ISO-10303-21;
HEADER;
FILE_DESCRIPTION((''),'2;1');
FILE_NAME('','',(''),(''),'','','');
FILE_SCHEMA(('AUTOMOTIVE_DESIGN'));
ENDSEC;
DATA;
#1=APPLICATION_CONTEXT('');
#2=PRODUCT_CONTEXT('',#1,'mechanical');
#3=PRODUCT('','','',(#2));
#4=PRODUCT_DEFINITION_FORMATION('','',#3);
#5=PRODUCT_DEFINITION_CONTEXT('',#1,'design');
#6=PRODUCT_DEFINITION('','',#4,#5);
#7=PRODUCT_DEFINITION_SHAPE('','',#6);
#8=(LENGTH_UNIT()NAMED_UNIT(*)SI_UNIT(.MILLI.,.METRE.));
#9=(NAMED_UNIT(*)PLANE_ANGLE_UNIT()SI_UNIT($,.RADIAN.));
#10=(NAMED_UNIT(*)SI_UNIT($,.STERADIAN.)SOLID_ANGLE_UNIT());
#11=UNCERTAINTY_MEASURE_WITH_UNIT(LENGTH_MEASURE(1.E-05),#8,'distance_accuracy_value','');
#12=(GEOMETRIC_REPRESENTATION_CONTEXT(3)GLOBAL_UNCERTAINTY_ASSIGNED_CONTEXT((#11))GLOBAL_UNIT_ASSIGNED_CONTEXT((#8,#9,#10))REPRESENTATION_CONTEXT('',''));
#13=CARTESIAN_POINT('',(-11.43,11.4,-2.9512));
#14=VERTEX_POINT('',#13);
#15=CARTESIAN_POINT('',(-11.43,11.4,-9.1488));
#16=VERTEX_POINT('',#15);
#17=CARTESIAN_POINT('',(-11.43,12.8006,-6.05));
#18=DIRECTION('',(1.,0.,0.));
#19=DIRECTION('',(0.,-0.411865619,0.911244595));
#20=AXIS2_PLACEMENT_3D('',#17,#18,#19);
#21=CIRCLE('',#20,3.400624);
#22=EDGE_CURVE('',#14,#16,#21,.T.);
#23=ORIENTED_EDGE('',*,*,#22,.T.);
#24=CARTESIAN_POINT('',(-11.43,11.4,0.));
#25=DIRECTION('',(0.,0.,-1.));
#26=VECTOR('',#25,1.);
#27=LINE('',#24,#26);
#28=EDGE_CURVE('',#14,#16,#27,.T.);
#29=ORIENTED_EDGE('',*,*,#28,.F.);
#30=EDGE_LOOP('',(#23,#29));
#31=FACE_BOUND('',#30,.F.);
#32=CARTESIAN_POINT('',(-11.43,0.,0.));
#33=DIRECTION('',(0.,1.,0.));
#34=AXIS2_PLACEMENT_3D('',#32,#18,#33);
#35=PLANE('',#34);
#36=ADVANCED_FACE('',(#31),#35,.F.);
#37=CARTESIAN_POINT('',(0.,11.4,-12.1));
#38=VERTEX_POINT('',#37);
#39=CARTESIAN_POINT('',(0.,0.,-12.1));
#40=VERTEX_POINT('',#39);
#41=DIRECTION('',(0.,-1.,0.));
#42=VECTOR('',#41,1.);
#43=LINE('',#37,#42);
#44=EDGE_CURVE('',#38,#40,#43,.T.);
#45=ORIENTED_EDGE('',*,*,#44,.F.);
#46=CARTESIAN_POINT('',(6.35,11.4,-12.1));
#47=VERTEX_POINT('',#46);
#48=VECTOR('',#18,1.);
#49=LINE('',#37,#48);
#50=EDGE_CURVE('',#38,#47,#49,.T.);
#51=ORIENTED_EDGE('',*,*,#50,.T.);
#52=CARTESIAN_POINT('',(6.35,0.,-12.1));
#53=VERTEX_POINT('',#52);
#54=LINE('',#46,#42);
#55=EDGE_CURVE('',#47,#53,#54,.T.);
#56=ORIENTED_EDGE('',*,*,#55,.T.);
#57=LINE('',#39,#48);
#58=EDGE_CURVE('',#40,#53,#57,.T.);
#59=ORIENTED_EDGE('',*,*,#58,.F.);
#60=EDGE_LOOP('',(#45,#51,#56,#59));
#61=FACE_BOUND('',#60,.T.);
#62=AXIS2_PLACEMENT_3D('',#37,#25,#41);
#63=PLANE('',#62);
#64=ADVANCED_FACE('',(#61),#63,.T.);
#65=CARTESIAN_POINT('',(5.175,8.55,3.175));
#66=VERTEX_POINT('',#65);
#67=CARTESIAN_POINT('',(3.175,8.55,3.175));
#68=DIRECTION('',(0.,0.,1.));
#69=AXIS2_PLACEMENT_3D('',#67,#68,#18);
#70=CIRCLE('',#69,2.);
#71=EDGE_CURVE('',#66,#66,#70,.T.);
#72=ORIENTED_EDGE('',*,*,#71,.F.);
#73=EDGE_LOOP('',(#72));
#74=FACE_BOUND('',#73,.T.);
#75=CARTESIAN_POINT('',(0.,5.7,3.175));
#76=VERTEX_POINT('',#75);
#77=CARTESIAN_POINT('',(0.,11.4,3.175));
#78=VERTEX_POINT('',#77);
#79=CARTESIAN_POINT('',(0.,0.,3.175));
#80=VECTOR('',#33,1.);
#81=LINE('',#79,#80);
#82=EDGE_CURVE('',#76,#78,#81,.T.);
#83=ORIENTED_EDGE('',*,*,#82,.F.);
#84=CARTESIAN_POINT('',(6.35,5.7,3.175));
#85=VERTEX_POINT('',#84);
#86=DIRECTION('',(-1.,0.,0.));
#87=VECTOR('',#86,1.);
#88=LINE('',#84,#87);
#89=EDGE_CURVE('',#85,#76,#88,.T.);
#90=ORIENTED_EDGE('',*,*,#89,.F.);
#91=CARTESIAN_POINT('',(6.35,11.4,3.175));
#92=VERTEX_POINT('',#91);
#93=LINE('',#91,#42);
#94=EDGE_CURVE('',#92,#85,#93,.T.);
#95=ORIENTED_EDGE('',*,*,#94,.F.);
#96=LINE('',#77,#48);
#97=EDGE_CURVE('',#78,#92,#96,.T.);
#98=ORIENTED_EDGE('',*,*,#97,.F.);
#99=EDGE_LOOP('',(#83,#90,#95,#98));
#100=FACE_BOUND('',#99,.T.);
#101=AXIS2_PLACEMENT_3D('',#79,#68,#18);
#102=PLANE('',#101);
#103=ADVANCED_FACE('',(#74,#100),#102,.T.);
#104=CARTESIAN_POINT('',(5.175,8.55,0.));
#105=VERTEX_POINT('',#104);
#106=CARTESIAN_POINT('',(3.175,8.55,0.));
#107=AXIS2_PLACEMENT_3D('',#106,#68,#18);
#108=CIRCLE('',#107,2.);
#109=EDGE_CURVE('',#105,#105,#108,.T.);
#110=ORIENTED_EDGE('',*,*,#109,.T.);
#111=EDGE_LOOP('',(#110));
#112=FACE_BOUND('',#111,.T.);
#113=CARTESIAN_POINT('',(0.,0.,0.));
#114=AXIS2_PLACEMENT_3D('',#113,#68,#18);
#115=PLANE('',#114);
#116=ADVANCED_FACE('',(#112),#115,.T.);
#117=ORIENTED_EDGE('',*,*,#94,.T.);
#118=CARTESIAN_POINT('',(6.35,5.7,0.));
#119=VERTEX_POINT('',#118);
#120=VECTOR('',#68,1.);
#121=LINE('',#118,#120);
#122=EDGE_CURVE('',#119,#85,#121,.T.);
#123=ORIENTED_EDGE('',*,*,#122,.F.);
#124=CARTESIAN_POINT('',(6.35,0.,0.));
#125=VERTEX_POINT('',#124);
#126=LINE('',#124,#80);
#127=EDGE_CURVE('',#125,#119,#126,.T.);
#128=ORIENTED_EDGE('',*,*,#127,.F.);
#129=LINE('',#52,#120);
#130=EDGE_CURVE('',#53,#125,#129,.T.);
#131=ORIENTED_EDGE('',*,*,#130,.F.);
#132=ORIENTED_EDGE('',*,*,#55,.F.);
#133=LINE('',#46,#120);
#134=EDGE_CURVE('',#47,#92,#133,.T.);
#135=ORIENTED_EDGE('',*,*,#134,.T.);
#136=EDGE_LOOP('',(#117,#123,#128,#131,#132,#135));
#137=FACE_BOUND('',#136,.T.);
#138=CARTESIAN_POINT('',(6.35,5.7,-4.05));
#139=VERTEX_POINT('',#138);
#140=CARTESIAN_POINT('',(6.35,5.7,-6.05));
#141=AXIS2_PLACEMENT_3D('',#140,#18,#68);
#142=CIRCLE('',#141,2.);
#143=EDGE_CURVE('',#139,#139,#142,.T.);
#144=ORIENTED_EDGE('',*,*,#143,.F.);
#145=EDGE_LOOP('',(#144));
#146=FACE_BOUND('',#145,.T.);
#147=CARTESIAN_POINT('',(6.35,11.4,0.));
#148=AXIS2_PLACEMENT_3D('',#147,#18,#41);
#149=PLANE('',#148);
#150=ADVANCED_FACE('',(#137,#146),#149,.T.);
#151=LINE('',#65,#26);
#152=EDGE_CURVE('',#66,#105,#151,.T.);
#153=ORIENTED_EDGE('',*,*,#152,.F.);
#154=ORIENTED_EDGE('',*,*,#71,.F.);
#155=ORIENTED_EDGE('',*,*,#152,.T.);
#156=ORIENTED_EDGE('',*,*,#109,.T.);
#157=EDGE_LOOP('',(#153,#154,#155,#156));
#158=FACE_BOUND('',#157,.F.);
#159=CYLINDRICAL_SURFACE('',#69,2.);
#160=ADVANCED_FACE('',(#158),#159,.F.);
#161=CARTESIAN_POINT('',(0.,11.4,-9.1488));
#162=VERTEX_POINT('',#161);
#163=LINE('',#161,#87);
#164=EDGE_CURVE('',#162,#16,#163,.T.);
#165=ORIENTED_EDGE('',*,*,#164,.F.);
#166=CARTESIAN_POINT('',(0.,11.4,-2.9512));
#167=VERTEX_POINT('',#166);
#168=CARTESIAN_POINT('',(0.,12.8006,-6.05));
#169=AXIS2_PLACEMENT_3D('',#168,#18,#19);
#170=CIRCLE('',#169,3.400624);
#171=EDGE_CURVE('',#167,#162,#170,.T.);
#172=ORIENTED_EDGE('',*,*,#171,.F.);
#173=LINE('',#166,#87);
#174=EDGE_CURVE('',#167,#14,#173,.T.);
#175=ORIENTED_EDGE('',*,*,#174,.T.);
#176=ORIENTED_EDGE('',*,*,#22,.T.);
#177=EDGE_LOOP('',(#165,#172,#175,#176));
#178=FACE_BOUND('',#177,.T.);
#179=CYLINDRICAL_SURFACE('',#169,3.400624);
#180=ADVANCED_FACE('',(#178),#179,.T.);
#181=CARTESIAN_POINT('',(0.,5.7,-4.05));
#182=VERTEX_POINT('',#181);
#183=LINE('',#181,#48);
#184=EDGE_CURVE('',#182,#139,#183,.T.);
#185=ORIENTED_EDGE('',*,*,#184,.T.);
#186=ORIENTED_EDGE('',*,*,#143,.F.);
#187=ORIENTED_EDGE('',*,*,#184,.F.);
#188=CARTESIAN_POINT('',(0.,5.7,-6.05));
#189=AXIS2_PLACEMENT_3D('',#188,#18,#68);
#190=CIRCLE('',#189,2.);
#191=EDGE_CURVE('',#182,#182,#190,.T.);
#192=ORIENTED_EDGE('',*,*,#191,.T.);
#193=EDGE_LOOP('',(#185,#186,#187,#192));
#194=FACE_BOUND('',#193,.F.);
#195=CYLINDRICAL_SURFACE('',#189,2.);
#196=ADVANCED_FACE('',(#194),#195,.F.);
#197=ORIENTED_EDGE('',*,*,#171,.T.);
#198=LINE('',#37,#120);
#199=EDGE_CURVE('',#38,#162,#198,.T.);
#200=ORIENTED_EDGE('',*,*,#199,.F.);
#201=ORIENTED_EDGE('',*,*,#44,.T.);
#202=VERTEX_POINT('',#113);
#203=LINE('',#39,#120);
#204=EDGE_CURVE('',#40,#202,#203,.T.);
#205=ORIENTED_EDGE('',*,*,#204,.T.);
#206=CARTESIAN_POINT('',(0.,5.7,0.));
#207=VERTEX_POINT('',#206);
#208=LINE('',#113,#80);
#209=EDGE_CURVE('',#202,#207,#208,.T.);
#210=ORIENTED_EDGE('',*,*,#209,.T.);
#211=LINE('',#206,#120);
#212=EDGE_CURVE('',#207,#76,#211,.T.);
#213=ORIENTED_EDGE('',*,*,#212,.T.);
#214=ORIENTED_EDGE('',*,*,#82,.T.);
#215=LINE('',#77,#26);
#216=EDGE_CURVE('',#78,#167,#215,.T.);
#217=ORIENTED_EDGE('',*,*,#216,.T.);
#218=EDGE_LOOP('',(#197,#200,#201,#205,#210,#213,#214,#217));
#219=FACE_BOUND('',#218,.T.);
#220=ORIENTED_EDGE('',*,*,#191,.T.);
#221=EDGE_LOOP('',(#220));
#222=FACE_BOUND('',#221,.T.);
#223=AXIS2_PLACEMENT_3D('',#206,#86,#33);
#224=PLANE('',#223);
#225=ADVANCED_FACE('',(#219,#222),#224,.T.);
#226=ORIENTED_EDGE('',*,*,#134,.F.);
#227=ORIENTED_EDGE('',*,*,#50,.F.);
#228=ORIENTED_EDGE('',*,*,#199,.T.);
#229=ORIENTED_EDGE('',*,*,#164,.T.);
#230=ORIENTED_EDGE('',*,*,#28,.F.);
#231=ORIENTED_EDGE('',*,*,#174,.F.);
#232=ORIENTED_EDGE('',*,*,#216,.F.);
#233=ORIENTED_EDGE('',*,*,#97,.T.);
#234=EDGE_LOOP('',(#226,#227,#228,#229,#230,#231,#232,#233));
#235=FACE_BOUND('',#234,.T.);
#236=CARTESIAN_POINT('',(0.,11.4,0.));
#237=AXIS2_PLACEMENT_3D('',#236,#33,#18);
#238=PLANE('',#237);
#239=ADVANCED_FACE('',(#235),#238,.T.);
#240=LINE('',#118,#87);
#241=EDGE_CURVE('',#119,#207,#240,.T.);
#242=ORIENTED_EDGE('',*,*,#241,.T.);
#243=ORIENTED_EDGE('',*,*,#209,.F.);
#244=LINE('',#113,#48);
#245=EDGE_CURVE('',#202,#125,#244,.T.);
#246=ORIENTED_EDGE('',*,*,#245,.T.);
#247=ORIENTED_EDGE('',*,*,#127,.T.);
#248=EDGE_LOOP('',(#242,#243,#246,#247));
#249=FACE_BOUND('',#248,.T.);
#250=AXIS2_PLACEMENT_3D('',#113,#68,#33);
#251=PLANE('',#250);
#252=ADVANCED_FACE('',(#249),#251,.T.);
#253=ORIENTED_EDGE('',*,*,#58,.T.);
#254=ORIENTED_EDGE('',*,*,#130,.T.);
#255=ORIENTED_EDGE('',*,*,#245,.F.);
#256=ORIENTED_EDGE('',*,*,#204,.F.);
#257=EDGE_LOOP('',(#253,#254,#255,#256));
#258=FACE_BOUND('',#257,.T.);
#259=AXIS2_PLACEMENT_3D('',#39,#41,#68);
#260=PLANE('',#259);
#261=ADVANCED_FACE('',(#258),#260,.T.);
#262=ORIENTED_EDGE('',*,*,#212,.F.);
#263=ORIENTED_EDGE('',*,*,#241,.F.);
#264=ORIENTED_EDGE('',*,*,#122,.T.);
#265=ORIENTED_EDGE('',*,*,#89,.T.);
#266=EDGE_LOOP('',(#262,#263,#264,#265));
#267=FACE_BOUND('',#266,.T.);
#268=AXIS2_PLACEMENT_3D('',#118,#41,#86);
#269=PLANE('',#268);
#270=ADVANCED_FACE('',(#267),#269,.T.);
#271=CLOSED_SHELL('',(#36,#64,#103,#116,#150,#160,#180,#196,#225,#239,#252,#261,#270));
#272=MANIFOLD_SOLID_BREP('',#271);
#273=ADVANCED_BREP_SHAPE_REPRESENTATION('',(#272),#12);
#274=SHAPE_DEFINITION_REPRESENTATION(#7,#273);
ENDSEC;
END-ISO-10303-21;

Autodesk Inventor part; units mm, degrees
ref_plane "YZ Plane" through (0, 0, 0) normal (1, 0, 0) x (0, 1, 0)
ref_plane "XZ Plane" through (0, 0, 0) normal (0, 1, 0) x (-1, 0, 0)
ref_plane "XY Plane" through (0, 0, 0) normal (0, 0, 1) x (1, 0, 0)
sketch "Sketch1" plane through (0, 0, 0) normal (1, 0, 0) x (0, 1, 0)
  line L0 (0, 0) -> (11.4, 0)
  line L1 (11.4, 0) -> (11.4, -12.1)
  line L2 (11.4, -12.1) -> (0, -12.1)
  line L3 (0, -12.1) -> (0, 0)
  arc A0 (11.4, -2.9512) -> (11.4, -9.1488) centre (12.8006, -6.05) ccw
  point P0 (3.5, -5)
  dimension "d0" = 11.4
  dimension "d1" = 12.1
  dimension "d2" = 6.1976
  dimension "d3" = 2.9512
  dimension "d29" = 2
extrude "Extrusion1" add sketch "Sketch1" along normal blind 6.35
extrude "Extrusion2" add sketch "Sketch1" against normal blind 11.43 contours L1 A0
sketch "Sketch3" plane through (0, 0, 0) normal (-1, 0, 0) x (0, 0, 1)
  line L0 (0, 11.4) -> (0, 0) projected
  line L1 (0, 0) -> (-12.1, 0) projected
  point P0 (-6.05, 5.7)
  dimension "d19" = 12.1
  dimension "d20" = 6.05
  dimension "d30" = 11.4
  dimension "d31" = 5.7
sketch "Sketch6" plane through (0, 0, 0) normal (0, 0, 1) x (1, 0, 0)
  line L0 (6.35, 5.7) -> (0, 5.7)
  line L1 (0, 0) -> (0, 11.4) projected
  line L2 (6.35, 11.4) -> (6.35, 0) projected
  line L3 (0, 0) -> (6.35, 0) projected
  line L4 (0, 11.4) -> (6.35, 11.4) projected
  dimension "d33" = 11.4
  dimension "d46" = 5.7
hole "Hole2" at (0, 5.7, -6.05) direction (1, 0, 0) diameter 4 end through all
extrude "Extrusion8" add sketch "Sketch6" along normal blind 3.175 contours L0 L1 L4 L2
sketch "Sketch7" plane through (0, 0, 3.175) normal (0, 0, 1) x (1, 0, 0)
  line L0 (6.35, 11.4) -> (0, 11.4) projected
  line L1 (6.35, 5.7) -> (6.35, 11.4) projected
  point P0 (0, 0)
  point P1 (3.175, 8.55)
  dimension "d50" = 6.35
  dimension "d51" = 5.7
  dimension "d52" = 2.85
  dimension "d53" = 3.175
sketch "Sketch8" plane through (0, 0, 3.175) normal (0, 0, 1) x (1, 0, 0)
  circle A0 centre (3.175, 8.55) radius 2
  line L0 (6.35, 11.4) -> (0, 11.4) projected
  line L1 (6.35, 5.7) -> (6.35, 11.4) projected
  point P0 (0, 0)
  dimension "d63" = 2.85
  dimension "d64" = 3.175
  dimension "d65" = 4
extrude "Extrusion9" cut sketch "Sketch8" against normal up to surface (3.175 mm away)
thread "Thread2" size "M4x0.7" class "6H" standard "ISO Metric profile" full length
equation "\"d3\" = -0.5 * d2 + 0.5 * d1"
equation "\"d20\" = 0.5 * d19"
equation "\"d31\" = 0.5 * d30"
equation "\"d46\" = 0.5 * d33"
equation "\"d52\" = 0.5 * d51"
equation "\"d53\" = 0.5 * d50"
equation "\"d63\" = d52"
equation "\"d64\" = d53"
properties part number "end peice for slides"
